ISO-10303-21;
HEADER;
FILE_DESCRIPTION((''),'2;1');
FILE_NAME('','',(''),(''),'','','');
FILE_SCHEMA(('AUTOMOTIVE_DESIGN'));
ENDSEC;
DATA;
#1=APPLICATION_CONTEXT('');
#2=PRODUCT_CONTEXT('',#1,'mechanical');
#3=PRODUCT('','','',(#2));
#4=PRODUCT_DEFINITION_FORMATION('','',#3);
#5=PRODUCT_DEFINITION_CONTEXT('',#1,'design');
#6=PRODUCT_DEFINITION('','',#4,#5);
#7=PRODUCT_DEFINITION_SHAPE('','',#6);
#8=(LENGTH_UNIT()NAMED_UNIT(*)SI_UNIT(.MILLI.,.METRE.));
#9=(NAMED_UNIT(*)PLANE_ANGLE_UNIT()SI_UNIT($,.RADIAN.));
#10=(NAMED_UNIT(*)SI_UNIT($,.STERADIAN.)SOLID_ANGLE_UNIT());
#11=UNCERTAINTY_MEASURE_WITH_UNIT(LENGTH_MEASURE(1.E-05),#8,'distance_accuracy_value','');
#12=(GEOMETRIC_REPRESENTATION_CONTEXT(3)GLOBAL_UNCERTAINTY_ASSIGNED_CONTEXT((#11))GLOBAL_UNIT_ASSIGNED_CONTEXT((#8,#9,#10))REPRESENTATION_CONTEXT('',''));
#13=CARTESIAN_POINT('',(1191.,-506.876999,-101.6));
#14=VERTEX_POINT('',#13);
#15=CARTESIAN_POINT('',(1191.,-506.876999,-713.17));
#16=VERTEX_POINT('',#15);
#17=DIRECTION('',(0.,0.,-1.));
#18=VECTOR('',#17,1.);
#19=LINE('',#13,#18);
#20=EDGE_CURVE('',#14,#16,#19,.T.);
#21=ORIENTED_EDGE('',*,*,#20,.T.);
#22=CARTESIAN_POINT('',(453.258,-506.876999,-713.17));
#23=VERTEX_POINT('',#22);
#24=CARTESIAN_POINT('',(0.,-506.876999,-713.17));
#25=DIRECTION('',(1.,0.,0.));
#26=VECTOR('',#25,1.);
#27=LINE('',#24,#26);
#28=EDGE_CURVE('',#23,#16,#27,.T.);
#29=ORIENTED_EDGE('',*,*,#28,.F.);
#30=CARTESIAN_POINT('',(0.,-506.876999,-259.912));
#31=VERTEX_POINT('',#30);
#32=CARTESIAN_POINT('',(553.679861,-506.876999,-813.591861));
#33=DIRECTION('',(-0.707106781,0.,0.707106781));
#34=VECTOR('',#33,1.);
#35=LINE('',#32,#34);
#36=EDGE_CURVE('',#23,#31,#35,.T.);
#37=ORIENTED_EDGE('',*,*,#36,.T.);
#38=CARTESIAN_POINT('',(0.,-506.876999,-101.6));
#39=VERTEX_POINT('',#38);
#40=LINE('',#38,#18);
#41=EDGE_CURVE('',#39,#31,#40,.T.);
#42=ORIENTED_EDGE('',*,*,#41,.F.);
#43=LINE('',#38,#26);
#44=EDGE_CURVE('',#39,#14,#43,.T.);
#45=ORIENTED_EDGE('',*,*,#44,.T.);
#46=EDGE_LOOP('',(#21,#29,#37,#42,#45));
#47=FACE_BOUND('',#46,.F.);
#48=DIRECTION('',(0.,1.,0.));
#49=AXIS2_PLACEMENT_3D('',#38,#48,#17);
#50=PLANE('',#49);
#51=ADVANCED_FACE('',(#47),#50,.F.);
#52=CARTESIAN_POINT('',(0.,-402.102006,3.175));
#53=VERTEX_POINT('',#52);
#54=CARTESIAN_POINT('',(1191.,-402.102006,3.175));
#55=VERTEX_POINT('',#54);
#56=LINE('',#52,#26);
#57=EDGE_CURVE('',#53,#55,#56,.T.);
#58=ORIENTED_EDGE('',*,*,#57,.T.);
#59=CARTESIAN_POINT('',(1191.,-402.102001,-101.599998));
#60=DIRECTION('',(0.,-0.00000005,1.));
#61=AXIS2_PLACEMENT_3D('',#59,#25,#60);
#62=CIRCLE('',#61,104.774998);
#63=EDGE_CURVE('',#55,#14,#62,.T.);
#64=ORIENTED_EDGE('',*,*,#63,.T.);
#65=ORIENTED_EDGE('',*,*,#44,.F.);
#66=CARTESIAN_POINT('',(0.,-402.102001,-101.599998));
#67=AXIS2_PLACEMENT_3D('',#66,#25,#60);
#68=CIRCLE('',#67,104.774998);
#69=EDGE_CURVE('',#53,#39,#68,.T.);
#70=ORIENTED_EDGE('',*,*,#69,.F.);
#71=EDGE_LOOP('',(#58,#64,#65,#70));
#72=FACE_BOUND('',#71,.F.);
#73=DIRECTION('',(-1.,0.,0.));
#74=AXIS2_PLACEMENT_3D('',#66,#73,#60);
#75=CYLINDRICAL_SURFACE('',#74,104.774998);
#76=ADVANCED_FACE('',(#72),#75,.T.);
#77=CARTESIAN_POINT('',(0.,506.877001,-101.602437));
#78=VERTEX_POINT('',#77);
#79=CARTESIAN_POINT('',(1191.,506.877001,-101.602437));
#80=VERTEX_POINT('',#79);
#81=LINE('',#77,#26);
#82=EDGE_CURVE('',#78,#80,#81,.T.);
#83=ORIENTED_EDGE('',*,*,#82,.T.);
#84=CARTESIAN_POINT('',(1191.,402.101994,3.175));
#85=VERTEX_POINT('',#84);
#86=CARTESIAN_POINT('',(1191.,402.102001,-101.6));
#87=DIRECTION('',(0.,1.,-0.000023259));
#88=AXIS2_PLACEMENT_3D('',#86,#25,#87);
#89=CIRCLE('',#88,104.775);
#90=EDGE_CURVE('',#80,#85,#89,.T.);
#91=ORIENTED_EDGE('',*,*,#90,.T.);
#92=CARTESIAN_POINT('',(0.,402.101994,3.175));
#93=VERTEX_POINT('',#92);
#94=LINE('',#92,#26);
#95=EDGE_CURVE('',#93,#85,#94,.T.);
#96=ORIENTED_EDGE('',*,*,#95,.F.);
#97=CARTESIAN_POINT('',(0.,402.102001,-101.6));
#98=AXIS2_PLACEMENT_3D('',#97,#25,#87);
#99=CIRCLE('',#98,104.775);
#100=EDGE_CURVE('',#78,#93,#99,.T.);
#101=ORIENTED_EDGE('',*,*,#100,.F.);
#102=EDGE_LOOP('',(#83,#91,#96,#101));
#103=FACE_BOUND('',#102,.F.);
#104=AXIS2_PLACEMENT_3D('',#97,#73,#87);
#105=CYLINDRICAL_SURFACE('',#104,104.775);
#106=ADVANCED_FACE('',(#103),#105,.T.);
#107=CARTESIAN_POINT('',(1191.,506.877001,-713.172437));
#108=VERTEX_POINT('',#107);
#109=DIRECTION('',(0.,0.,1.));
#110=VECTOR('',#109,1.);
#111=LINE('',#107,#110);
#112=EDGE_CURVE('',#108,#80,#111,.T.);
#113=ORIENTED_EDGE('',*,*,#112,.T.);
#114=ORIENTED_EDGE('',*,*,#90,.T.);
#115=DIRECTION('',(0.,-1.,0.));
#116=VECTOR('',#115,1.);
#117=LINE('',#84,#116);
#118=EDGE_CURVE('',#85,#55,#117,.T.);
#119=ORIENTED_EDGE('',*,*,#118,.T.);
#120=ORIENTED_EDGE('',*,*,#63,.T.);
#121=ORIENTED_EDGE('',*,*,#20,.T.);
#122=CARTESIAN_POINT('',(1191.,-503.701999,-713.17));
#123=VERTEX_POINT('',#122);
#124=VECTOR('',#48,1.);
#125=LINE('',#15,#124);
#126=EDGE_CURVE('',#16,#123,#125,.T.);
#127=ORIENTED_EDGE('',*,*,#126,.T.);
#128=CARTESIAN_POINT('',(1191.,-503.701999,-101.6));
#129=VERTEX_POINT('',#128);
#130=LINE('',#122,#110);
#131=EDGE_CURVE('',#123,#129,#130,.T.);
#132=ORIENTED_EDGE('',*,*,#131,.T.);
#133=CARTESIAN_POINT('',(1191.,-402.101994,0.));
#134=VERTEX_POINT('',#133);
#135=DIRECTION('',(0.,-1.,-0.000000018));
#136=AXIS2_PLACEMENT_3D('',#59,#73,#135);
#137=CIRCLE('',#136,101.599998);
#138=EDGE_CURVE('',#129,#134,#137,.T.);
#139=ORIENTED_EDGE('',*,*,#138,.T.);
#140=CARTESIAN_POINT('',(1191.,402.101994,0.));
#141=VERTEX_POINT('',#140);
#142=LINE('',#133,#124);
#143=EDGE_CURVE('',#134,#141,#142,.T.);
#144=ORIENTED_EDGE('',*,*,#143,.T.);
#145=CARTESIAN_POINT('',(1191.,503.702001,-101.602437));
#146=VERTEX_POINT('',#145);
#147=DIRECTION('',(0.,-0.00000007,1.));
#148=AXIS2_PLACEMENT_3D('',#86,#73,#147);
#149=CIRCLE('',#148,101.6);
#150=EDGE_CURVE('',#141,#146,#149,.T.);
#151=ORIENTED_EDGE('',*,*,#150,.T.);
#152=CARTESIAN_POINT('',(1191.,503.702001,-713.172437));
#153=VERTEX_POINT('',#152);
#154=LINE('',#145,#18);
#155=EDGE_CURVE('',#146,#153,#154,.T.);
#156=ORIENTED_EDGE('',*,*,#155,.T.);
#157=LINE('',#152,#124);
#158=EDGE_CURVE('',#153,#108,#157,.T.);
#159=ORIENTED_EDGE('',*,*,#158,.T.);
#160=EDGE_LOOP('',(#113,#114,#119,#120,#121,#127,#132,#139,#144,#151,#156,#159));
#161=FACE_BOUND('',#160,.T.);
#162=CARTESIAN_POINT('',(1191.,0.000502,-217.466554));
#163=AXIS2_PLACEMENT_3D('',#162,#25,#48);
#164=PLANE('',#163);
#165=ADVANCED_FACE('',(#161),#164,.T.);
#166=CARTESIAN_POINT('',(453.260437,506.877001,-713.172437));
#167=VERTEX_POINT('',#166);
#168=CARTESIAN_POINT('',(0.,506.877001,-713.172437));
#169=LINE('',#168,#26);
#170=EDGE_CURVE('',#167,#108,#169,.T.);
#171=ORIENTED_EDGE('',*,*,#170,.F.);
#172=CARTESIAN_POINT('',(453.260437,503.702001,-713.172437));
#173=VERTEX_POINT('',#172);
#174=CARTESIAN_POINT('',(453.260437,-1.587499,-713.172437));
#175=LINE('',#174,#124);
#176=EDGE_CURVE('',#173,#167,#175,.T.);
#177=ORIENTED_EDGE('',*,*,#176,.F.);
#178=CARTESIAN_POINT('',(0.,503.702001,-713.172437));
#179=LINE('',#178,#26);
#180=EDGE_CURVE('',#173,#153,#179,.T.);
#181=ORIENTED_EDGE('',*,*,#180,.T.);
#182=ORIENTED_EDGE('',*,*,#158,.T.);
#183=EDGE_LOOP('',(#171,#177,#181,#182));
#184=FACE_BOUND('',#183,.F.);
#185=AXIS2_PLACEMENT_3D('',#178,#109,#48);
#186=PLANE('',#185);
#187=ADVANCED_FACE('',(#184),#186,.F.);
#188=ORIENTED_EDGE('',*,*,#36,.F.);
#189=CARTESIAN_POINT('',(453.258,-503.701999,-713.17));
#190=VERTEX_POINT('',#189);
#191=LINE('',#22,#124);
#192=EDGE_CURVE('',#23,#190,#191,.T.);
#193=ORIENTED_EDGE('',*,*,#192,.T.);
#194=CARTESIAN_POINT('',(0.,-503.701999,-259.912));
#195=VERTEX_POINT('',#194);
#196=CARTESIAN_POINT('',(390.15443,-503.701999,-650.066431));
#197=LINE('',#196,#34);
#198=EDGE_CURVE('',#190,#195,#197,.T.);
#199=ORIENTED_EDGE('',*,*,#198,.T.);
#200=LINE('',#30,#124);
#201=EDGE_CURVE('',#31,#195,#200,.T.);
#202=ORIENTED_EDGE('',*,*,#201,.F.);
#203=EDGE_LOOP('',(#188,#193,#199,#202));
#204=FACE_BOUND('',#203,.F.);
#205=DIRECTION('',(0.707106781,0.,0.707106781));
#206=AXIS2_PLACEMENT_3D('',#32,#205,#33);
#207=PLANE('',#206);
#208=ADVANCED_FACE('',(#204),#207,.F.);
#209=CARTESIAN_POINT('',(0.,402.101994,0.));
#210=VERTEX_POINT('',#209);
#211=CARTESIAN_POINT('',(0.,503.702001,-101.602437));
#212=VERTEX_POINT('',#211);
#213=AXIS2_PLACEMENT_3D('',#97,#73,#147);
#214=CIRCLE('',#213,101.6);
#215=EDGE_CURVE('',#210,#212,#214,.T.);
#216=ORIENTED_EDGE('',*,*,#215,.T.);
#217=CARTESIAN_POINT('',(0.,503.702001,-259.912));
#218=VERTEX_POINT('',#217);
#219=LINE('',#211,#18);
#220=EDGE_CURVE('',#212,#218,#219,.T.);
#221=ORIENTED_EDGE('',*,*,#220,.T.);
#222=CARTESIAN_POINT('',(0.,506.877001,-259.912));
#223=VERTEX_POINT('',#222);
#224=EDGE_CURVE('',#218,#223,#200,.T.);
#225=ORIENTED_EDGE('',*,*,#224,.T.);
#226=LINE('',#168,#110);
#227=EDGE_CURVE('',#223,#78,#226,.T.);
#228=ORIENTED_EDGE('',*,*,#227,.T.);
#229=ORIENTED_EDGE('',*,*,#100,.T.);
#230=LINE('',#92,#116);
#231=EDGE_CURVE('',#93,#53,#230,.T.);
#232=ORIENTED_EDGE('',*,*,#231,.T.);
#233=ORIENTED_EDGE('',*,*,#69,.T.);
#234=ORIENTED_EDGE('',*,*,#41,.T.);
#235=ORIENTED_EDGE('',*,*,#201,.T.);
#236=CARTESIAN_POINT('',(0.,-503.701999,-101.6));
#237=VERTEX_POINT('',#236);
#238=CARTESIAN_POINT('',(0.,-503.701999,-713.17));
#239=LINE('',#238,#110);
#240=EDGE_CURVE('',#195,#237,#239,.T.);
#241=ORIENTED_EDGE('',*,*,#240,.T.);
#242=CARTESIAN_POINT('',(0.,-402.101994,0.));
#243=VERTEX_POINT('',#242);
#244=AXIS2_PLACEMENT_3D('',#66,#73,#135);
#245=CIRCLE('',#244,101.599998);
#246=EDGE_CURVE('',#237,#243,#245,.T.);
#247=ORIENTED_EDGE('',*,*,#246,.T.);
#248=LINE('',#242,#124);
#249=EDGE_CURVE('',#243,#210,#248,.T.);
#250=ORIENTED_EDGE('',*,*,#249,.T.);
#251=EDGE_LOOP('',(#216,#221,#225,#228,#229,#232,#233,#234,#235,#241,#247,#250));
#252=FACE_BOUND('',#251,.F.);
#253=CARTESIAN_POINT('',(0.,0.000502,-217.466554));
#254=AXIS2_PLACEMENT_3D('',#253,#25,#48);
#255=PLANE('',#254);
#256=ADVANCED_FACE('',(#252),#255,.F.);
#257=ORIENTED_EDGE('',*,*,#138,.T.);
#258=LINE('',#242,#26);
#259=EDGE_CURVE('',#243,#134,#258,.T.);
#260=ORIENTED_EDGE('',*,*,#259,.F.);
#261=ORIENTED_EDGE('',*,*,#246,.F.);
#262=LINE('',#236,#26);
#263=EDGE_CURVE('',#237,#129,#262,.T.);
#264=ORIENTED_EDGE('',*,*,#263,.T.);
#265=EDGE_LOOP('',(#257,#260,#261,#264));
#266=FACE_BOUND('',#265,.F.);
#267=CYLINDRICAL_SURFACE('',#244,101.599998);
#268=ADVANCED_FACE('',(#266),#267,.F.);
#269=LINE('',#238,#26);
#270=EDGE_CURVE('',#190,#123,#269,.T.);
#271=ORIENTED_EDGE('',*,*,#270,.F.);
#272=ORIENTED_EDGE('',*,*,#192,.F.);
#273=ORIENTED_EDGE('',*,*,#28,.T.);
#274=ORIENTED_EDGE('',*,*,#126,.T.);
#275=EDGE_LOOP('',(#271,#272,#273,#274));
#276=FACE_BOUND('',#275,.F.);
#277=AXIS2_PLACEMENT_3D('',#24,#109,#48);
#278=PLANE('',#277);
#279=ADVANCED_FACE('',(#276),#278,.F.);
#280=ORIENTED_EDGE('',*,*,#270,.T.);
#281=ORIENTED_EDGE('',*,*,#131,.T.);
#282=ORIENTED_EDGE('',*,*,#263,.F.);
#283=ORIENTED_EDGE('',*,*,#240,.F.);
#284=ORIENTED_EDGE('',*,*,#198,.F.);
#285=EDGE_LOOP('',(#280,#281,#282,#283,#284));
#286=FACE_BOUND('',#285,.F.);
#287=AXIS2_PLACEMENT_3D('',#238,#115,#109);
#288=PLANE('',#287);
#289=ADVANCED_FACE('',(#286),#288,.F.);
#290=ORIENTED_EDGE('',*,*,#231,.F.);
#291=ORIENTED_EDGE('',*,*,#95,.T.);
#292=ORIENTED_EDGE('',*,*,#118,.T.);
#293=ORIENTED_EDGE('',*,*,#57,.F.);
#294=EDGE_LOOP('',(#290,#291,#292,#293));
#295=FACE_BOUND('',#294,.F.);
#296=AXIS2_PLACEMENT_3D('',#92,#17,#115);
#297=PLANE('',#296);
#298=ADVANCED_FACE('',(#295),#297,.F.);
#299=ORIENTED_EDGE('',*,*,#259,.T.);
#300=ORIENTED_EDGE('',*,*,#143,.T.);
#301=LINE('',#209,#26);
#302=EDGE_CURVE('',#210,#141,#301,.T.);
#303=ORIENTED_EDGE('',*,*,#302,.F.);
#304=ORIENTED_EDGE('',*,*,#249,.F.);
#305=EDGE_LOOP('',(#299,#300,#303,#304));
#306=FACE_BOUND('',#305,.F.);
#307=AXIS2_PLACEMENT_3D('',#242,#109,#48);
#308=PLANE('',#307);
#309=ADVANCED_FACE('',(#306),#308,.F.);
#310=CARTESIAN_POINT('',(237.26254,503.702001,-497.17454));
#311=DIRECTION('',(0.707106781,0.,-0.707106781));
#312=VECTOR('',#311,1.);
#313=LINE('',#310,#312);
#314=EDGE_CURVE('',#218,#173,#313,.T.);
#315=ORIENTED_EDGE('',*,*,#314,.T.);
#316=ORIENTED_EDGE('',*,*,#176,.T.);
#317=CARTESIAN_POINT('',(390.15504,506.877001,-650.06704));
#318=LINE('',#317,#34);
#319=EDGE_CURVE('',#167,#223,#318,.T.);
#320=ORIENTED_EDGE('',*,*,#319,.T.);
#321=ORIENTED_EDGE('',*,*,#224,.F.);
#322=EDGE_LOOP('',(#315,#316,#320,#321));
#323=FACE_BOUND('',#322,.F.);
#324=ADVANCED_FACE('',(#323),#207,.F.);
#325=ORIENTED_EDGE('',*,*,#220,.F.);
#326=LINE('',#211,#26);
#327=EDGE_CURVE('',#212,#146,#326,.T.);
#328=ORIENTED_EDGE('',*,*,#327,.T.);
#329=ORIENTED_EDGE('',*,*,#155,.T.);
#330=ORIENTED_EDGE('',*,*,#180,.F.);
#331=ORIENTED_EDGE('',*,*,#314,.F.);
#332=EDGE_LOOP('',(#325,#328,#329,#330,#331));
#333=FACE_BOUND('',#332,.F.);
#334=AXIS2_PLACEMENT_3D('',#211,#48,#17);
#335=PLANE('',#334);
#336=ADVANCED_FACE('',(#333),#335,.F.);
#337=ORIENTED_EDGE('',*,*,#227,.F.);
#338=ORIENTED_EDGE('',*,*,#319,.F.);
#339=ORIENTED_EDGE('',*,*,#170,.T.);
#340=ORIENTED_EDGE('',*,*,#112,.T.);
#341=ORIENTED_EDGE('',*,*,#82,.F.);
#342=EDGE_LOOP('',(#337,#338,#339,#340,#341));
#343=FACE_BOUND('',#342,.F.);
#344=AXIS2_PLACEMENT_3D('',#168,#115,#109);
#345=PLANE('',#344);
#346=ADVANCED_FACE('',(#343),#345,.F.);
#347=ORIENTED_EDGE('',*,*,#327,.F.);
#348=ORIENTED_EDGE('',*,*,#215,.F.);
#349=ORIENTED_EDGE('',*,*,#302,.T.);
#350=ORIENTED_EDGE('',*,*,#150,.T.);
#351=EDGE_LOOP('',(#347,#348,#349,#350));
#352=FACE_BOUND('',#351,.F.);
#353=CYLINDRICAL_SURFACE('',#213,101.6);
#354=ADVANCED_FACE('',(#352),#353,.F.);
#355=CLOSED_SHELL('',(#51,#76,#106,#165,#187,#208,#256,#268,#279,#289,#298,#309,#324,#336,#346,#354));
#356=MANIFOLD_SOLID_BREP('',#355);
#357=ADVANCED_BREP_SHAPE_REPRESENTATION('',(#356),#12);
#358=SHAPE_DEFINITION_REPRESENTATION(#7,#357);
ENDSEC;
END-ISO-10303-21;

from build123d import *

# Parameters (mm, degrees)
F1_DEPTH = 1191
F3_DEPTH = 1013.755


with BuildPart() as f1:
    # F0 (on Right) → F1 (new body)
    with BuildSketch(Plane.YZ):
        with BuildLine():
            Line((-506.876999, -713.17), (-503.701999, -713.17))
            Line((-503.701999, -713.17), (-503.701999, -101.6))
            ThreePointArc((-503.701999, -101.6), (-473.944047, -29.757949), (-402.101994, 0))
            Line((-402.101994, 0), (402.101994, 0))
            ThreePointArc((402.101994, 0), (473.944909, -29.75881), (503.702001, -101.602437))
            Line((503.702001, -101.602437), (503.702001, -713.172437))
            Line((503.702001, -713.172437), (506.877001, -713.172437))
            Line((506.877001, -713.172437), (506.877001, -101.602437))
            ThreePointArc((506.877001, -101.602437), (476.189973, -27.513746), (402.101994, 3.175))
            Line((402.101994, 3.175), (-402.102006, 3.175))
            ThreePointArc((-402.102006, 3.175), (-476.189115, -27.512889), (-506.876999, -101.6))
            Line((-506.876999, -101.6), (-506.876999, -713.17))
        make_face()
    extrude(amount=F1_DEPTH)

    # F2 (on face) → F3 (cut, through all)
    with BuildSketch(Plane.XZ.offset(506.876999)):
        Polygon((553.679861, -813.591861), (0, -259.912), (-226.735473, -259.912), (-226.735473, -813.591861), align=None)
    extrude(amount=-F3_DEPTH, mode=Mode.SUBTRACT)


solid = f1.part
